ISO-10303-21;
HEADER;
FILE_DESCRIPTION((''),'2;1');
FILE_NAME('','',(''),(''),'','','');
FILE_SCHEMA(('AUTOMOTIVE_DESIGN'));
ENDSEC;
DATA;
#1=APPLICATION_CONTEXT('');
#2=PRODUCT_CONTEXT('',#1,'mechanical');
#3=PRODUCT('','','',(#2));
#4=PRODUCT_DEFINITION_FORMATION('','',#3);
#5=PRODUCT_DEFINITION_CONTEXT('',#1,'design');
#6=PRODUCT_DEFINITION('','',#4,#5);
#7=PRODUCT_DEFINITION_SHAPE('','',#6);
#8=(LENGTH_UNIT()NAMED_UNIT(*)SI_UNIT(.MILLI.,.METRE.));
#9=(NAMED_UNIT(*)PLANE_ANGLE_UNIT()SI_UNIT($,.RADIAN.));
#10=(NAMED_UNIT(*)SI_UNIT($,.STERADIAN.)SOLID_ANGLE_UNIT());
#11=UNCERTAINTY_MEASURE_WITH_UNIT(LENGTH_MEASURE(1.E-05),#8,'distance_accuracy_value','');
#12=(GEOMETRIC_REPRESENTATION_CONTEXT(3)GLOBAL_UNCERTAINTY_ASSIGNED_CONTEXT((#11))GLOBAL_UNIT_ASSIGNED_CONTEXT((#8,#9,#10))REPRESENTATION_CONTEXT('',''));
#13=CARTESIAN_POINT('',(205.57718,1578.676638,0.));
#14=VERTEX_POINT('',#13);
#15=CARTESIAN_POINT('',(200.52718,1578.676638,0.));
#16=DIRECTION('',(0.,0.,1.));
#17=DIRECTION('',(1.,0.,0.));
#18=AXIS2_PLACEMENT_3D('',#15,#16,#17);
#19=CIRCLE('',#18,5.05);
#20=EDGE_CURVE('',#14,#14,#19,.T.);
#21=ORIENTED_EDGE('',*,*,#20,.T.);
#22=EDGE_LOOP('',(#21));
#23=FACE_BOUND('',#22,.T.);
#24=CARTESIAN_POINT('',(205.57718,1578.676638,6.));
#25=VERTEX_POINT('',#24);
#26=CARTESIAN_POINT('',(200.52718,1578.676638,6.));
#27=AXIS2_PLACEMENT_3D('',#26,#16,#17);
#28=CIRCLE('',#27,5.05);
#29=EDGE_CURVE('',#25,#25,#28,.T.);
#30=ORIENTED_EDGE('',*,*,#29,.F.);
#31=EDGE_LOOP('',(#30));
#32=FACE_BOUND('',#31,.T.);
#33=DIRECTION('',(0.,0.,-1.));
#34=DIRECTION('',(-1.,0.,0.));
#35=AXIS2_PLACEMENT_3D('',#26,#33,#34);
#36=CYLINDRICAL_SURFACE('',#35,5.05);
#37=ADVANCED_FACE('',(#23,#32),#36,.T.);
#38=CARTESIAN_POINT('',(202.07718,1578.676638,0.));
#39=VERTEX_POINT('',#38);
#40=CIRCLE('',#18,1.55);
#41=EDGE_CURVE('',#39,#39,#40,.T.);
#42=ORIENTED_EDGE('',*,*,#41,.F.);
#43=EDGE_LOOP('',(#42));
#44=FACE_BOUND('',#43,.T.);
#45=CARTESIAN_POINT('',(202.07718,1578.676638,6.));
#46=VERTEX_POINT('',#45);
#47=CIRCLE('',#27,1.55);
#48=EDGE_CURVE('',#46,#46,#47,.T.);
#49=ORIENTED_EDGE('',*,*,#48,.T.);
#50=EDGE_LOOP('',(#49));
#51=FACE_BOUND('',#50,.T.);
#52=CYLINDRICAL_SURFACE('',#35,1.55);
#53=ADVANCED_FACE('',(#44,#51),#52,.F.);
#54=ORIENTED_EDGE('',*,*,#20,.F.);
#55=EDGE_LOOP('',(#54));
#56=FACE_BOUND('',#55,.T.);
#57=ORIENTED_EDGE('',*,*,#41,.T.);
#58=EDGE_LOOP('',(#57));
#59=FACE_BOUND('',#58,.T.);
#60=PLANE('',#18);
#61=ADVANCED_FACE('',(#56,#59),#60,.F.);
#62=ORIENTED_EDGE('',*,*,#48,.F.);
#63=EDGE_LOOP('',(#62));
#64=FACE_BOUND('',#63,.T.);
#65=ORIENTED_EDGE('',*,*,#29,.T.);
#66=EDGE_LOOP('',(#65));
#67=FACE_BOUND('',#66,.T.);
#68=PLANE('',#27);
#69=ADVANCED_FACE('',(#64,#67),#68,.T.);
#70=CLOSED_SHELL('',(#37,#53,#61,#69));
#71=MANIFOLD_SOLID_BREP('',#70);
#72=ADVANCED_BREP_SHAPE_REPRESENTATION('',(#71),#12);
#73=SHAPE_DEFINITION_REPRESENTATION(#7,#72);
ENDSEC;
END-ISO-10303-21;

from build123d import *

# Parameters (mm, degrees)
SZKIC1_R                    = 5.05
SZKIC1_R_2                  = 1.55
DODANIE_WYCI_GNI_CIE1_DEPTH = 6


with BuildPart() as part:
    # Szkic1 → Dodanie-wyciągnięcie1 (new body)
    with BuildSketch(Plane.XY):
        with Locations((200.527180247, 1578.676637887)):
            Circle(SZKIC1_R)
        with Locations((200.527180247, 1578.676637887)):
            Circle(SZKIC1_R_2, mode=Mode.SUBTRACT)
    extrude(amount=DODANIE_WYCI_GNI_CIE1_DEPTH)


solid = part.part
